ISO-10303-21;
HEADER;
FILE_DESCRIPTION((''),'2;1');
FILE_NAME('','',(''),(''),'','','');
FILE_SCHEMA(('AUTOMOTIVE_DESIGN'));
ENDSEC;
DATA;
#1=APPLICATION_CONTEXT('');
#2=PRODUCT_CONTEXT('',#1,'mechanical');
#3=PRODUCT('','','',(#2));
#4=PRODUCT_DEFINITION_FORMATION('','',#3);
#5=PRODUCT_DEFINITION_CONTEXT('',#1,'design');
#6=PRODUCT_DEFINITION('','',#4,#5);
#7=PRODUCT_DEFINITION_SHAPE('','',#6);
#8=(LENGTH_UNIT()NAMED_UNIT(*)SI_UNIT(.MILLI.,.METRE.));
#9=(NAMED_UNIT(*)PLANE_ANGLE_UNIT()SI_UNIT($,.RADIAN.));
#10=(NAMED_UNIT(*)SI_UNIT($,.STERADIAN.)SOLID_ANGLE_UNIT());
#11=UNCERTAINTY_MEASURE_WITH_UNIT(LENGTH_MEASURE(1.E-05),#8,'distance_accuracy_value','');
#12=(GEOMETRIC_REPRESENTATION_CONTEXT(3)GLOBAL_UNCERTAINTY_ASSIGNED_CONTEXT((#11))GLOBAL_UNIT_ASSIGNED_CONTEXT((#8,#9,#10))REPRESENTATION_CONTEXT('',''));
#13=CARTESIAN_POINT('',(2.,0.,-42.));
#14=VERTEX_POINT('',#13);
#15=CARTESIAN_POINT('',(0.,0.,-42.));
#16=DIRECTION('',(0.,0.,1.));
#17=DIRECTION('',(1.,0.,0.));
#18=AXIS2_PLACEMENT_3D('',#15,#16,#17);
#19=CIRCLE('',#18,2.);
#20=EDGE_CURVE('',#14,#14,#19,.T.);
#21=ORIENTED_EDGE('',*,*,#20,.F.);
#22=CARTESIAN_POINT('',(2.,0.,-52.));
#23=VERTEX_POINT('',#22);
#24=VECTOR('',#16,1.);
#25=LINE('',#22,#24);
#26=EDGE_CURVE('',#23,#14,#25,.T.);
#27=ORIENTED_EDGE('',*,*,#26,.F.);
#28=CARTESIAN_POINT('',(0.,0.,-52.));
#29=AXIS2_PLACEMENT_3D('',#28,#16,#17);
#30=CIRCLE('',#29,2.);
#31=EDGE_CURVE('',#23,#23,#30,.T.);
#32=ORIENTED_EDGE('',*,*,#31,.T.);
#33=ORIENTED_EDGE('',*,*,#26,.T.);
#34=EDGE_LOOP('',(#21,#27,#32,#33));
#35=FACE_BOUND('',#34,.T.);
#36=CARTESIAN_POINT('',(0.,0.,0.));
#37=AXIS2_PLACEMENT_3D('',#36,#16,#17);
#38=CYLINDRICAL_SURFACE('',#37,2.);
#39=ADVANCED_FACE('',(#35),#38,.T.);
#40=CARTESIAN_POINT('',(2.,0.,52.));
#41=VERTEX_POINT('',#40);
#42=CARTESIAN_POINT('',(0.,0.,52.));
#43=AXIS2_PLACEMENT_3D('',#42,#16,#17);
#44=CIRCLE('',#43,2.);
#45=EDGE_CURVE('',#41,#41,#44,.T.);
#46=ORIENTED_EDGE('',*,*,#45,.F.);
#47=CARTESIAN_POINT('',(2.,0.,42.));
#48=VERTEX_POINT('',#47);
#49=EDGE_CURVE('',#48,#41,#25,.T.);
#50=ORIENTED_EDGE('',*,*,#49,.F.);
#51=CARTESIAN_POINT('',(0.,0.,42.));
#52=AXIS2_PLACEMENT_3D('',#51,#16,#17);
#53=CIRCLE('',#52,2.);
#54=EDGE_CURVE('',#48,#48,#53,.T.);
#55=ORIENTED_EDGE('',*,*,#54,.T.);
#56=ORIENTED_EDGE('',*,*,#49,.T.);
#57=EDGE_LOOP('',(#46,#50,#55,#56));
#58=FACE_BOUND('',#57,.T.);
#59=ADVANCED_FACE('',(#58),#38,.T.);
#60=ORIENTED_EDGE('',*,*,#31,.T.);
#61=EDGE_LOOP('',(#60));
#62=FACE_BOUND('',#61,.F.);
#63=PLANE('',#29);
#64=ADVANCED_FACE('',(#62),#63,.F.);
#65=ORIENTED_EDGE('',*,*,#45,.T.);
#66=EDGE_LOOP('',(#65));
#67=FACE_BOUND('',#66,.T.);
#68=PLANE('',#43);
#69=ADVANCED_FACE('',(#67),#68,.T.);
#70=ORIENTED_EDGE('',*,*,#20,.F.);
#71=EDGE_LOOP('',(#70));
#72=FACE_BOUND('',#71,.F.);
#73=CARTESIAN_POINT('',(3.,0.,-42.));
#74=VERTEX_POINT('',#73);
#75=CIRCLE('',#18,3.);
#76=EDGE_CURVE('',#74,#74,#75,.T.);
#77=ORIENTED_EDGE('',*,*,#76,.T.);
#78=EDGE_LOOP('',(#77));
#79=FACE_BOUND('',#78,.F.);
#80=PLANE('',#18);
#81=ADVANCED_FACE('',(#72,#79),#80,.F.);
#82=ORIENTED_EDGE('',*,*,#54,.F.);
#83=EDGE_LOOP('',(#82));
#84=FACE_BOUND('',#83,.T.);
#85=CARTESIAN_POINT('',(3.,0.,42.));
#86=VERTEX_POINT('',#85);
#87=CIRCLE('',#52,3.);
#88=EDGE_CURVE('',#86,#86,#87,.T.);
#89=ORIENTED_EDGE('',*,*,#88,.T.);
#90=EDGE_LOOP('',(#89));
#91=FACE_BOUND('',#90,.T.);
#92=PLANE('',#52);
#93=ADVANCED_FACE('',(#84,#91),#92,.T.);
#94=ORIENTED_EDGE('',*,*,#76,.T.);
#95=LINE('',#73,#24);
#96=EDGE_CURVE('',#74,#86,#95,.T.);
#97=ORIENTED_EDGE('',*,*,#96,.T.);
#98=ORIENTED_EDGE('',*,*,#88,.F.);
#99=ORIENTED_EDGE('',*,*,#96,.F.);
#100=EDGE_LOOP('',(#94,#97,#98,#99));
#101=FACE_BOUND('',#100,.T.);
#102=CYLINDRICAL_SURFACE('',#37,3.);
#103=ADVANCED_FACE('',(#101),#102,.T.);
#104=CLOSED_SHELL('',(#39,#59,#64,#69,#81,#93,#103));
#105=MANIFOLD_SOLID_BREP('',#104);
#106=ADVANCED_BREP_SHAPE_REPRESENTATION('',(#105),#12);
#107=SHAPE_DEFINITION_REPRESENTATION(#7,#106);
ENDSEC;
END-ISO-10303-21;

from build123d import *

# Parameters (mm, degrees)
SKETCH1_R           = 3
BOSS_EXTRUDE1_DEPTH = 42
SKETCH1_3_R         = 2
BOSS_EXTRUDE2_DEPTH = 52


with BuildPart() as part:
    # Sketch1 → Boss-Extrude1 (new, symmetric)
    with BuildSketch(Plane.XY):
        Circle(SKETCH1_R)
    extrude(amount=BOSS_EXTRUDE1_DEPTH, both=True)

    # Sketch1<3> → Boss-Extrude2 (add, symmetric)
    with BuildSketch(Plane.XY):
        Circle(SKETCH1_3_R)
    extrude(amount=BOSS_EXTRUDE2_DEPTH, both=True)


solid = part.part
